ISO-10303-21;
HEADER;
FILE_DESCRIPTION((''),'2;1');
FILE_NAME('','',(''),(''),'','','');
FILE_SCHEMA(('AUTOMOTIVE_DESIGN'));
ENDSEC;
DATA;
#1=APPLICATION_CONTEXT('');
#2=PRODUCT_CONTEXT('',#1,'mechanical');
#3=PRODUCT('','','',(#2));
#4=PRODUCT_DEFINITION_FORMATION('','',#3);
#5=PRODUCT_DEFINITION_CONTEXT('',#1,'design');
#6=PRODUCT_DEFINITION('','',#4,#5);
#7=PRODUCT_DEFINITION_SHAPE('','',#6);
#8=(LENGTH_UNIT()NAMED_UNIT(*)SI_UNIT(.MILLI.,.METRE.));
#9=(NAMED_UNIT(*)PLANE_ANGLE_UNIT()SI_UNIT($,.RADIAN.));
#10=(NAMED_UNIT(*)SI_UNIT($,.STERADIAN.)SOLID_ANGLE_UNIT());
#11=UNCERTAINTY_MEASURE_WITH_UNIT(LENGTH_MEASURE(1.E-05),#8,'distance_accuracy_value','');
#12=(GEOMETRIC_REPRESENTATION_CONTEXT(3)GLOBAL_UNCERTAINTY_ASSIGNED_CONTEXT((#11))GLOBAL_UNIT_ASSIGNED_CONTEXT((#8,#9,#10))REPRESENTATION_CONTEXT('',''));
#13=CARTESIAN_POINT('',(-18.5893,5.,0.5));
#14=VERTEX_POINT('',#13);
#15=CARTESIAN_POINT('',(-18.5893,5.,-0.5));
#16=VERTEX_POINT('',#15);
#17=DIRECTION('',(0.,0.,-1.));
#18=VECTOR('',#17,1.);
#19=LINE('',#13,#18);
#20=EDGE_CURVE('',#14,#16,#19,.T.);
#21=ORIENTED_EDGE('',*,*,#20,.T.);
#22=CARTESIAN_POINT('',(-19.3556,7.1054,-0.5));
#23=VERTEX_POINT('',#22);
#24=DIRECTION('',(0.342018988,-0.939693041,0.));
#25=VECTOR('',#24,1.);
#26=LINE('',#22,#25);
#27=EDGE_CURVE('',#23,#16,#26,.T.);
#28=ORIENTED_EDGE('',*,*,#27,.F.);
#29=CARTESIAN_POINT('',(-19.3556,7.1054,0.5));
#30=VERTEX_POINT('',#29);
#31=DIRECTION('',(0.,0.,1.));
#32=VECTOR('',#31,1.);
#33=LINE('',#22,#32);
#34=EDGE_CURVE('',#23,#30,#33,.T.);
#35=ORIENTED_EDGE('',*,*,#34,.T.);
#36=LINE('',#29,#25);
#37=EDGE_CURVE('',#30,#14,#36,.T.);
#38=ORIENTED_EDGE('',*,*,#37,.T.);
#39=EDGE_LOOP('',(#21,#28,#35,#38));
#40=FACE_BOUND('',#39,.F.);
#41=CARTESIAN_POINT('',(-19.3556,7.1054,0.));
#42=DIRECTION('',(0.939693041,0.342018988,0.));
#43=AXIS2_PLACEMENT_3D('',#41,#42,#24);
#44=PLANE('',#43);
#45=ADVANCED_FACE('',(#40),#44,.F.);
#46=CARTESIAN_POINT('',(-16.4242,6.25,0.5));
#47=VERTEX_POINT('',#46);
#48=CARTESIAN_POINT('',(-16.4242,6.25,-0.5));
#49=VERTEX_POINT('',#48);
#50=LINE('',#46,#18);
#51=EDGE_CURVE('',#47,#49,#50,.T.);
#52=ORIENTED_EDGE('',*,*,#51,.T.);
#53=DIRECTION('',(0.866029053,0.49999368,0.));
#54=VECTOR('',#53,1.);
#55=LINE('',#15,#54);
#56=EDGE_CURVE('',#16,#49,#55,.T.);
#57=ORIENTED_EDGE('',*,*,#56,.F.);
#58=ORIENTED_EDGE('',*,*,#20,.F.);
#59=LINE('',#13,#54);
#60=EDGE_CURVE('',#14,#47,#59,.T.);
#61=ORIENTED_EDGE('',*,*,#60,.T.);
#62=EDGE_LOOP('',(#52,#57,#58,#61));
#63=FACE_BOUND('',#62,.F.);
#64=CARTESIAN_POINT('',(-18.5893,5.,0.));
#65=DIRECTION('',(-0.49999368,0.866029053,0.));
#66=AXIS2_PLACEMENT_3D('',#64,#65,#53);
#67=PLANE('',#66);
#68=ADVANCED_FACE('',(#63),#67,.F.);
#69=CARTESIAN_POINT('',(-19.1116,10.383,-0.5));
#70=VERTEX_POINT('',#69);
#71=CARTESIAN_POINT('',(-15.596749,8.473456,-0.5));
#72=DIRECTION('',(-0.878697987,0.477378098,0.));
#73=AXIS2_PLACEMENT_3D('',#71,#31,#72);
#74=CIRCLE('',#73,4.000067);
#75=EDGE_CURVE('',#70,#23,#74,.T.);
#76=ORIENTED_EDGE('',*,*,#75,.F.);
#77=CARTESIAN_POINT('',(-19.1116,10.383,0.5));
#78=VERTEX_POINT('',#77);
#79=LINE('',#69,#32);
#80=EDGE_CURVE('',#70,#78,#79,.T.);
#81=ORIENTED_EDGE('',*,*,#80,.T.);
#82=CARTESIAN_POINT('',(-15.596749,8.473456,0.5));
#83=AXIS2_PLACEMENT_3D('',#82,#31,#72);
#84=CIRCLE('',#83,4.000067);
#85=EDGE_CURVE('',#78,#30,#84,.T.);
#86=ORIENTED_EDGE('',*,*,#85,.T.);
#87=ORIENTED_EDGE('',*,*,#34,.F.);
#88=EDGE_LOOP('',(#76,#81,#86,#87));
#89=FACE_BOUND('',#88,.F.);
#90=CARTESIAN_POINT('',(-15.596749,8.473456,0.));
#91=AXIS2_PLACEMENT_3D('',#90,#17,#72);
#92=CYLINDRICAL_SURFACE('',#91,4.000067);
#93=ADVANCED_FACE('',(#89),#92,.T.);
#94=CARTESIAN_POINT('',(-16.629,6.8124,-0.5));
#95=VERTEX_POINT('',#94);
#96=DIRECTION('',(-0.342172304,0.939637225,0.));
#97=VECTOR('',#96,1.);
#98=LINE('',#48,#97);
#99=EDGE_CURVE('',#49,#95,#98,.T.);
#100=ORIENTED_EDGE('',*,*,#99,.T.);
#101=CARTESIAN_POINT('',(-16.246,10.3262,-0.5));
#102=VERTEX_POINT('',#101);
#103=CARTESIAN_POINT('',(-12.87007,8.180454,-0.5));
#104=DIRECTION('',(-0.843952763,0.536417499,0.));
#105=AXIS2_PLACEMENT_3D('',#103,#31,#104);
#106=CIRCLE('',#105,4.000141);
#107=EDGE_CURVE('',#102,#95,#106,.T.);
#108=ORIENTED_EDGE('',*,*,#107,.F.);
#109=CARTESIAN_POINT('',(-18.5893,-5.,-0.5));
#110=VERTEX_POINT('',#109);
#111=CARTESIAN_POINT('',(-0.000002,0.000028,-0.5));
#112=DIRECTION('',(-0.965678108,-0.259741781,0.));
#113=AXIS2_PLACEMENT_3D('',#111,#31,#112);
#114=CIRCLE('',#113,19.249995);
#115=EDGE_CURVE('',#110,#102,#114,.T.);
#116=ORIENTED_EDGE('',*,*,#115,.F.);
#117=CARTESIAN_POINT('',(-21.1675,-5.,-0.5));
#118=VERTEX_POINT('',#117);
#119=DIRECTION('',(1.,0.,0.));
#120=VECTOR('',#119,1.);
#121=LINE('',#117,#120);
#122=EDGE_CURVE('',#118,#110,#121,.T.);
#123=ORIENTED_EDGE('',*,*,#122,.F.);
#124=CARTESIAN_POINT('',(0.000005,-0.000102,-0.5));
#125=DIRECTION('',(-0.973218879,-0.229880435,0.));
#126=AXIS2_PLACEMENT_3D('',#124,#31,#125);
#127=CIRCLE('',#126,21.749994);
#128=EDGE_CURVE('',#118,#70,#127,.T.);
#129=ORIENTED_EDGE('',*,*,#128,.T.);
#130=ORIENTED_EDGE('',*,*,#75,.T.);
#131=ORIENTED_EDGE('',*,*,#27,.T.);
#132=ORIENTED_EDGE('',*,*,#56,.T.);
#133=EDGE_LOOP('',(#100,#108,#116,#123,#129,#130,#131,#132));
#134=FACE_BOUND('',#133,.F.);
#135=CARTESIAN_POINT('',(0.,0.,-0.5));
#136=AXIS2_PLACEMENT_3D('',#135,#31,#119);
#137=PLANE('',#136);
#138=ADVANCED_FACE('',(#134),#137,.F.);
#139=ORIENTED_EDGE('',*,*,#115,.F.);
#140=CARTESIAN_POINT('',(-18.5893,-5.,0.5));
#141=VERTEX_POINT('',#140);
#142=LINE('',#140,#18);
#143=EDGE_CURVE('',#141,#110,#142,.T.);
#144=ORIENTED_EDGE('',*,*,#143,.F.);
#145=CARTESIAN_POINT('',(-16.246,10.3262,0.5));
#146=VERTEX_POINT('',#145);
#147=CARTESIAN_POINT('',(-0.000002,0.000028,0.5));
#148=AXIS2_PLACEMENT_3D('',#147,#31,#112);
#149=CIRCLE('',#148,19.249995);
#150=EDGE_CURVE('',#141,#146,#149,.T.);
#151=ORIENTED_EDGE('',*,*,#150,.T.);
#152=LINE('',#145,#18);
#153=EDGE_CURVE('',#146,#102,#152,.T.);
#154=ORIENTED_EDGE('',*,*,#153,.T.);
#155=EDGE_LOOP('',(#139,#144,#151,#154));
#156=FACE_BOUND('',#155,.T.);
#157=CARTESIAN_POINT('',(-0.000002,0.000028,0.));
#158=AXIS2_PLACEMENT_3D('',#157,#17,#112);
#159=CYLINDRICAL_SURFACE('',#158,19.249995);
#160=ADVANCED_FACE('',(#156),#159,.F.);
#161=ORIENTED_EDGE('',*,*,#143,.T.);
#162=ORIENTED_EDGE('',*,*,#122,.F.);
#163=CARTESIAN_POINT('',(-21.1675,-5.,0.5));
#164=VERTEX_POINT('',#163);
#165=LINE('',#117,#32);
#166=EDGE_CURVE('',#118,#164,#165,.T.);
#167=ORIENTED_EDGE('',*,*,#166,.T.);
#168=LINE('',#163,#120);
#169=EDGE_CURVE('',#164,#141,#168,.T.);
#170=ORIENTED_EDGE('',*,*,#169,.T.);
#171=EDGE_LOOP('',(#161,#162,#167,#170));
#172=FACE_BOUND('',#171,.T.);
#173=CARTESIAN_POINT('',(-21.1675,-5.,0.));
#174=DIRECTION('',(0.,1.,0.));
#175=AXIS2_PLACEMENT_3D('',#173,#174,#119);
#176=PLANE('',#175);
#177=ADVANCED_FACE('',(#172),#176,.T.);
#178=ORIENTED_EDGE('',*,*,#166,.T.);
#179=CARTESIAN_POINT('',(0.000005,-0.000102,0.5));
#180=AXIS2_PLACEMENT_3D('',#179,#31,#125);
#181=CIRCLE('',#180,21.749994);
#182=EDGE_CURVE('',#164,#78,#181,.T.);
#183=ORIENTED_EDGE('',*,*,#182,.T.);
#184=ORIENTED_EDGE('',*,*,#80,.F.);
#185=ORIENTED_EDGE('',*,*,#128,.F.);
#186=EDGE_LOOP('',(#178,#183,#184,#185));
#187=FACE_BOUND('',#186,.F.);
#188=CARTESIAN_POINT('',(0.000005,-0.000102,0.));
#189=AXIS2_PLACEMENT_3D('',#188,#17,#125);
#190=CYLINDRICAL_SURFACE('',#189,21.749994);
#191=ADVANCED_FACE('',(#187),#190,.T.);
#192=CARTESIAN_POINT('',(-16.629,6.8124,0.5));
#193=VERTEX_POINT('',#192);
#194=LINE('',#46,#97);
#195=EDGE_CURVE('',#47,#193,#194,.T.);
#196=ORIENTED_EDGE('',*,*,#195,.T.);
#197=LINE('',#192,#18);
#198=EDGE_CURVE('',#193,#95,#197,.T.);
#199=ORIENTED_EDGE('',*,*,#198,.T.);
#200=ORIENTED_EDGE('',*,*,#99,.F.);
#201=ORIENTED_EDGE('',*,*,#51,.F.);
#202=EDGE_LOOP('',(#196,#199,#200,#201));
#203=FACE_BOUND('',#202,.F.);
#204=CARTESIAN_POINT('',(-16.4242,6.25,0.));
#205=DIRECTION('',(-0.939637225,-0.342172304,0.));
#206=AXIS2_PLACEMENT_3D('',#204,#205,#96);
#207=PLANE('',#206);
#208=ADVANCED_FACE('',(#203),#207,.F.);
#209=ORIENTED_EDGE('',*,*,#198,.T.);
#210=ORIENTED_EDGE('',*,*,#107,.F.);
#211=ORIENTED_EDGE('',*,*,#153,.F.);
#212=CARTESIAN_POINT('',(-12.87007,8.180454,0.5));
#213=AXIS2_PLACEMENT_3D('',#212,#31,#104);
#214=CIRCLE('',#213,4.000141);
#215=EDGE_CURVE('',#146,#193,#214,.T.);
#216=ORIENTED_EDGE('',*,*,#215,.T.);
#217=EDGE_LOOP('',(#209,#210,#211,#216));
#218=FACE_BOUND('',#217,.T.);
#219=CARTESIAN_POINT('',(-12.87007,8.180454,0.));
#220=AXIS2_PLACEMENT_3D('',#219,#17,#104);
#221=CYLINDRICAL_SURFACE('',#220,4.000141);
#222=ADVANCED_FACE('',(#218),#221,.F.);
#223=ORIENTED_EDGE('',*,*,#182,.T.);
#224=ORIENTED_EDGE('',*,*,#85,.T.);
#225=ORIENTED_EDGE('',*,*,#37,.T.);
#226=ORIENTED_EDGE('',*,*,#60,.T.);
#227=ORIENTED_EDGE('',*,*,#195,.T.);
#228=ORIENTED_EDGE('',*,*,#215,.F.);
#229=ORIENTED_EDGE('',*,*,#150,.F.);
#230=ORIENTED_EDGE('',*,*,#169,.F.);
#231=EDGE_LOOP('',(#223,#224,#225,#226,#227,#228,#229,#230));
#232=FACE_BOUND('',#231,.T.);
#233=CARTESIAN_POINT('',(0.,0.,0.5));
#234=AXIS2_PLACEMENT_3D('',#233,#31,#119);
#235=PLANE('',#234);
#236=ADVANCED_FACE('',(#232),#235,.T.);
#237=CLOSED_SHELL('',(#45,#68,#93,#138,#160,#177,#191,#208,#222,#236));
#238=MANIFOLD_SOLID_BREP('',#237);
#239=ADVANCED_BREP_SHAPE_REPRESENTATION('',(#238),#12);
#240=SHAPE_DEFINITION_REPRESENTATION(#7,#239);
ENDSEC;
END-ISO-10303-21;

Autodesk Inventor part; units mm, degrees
ref_plane "YZ Plane" through (0, 0, 0) normal (1, 0, 0) x (0, 1, 0)
ref_plane "XZ Plane" through (0, 0, 0) normal (0, 1, 0) x (-1, 0, 0)
ref_plane "XY Plane" through (0, 0, 0) normal (0, 0, 1) x (1, 0, 0)
sketch "Эскиз1" plane through (0, 0, 0) normal (0, 0, 1) x (1, 0, 0)
  arc A0 (-21.1675, -5) -> (-19.1116, 10.383) centre (0, 0) ccw
  arc A1 (-18.5893, -5) -> (-16.246, 10.3262) centre (0, 0) ccw
  line L0 (-18.5893, 5) -> (-18.5893, -5) construction
  line L1 (-19.3556, 7.1054) -> (-18.5893, 5)
  line L2 (-18.5893, 5) -> (-16.4242, 6.25)
  line L3 (-16.4242, 6.25) -> (-16.629, 6.8124)
  line L4 (-18.5893, 0) -> (0, 0) construction
  arc A2 (-19.1116, 10.383) -> (-19.3556, 7.1054) centre (-15.5969, 8.4735) ccw
  arc A3 (-16.246, 10.3262) -> (-16.629, 6.8124) centre (-12.8702, 8.1805) ccw
  line L5 (-21.1675, -5) -> (-18.5893, -5)
  point P0 (-19.9352, 8.6978)
  point P1 (-17.2553, 8.5333)
  dimension "d0" = 21.75
  dimension "d1" = 2.5
  dimension "d4" = 10
  dimension "d6" = 30
  dimension "d7" = 100
  dimension "d8" = 2.5
  dimension "d9" = 4
extrude "Выдавливание1" add sketch "Эскиз1" along normal mid plane 1
properties part number "68. Кольцо стопорное подшипника"
